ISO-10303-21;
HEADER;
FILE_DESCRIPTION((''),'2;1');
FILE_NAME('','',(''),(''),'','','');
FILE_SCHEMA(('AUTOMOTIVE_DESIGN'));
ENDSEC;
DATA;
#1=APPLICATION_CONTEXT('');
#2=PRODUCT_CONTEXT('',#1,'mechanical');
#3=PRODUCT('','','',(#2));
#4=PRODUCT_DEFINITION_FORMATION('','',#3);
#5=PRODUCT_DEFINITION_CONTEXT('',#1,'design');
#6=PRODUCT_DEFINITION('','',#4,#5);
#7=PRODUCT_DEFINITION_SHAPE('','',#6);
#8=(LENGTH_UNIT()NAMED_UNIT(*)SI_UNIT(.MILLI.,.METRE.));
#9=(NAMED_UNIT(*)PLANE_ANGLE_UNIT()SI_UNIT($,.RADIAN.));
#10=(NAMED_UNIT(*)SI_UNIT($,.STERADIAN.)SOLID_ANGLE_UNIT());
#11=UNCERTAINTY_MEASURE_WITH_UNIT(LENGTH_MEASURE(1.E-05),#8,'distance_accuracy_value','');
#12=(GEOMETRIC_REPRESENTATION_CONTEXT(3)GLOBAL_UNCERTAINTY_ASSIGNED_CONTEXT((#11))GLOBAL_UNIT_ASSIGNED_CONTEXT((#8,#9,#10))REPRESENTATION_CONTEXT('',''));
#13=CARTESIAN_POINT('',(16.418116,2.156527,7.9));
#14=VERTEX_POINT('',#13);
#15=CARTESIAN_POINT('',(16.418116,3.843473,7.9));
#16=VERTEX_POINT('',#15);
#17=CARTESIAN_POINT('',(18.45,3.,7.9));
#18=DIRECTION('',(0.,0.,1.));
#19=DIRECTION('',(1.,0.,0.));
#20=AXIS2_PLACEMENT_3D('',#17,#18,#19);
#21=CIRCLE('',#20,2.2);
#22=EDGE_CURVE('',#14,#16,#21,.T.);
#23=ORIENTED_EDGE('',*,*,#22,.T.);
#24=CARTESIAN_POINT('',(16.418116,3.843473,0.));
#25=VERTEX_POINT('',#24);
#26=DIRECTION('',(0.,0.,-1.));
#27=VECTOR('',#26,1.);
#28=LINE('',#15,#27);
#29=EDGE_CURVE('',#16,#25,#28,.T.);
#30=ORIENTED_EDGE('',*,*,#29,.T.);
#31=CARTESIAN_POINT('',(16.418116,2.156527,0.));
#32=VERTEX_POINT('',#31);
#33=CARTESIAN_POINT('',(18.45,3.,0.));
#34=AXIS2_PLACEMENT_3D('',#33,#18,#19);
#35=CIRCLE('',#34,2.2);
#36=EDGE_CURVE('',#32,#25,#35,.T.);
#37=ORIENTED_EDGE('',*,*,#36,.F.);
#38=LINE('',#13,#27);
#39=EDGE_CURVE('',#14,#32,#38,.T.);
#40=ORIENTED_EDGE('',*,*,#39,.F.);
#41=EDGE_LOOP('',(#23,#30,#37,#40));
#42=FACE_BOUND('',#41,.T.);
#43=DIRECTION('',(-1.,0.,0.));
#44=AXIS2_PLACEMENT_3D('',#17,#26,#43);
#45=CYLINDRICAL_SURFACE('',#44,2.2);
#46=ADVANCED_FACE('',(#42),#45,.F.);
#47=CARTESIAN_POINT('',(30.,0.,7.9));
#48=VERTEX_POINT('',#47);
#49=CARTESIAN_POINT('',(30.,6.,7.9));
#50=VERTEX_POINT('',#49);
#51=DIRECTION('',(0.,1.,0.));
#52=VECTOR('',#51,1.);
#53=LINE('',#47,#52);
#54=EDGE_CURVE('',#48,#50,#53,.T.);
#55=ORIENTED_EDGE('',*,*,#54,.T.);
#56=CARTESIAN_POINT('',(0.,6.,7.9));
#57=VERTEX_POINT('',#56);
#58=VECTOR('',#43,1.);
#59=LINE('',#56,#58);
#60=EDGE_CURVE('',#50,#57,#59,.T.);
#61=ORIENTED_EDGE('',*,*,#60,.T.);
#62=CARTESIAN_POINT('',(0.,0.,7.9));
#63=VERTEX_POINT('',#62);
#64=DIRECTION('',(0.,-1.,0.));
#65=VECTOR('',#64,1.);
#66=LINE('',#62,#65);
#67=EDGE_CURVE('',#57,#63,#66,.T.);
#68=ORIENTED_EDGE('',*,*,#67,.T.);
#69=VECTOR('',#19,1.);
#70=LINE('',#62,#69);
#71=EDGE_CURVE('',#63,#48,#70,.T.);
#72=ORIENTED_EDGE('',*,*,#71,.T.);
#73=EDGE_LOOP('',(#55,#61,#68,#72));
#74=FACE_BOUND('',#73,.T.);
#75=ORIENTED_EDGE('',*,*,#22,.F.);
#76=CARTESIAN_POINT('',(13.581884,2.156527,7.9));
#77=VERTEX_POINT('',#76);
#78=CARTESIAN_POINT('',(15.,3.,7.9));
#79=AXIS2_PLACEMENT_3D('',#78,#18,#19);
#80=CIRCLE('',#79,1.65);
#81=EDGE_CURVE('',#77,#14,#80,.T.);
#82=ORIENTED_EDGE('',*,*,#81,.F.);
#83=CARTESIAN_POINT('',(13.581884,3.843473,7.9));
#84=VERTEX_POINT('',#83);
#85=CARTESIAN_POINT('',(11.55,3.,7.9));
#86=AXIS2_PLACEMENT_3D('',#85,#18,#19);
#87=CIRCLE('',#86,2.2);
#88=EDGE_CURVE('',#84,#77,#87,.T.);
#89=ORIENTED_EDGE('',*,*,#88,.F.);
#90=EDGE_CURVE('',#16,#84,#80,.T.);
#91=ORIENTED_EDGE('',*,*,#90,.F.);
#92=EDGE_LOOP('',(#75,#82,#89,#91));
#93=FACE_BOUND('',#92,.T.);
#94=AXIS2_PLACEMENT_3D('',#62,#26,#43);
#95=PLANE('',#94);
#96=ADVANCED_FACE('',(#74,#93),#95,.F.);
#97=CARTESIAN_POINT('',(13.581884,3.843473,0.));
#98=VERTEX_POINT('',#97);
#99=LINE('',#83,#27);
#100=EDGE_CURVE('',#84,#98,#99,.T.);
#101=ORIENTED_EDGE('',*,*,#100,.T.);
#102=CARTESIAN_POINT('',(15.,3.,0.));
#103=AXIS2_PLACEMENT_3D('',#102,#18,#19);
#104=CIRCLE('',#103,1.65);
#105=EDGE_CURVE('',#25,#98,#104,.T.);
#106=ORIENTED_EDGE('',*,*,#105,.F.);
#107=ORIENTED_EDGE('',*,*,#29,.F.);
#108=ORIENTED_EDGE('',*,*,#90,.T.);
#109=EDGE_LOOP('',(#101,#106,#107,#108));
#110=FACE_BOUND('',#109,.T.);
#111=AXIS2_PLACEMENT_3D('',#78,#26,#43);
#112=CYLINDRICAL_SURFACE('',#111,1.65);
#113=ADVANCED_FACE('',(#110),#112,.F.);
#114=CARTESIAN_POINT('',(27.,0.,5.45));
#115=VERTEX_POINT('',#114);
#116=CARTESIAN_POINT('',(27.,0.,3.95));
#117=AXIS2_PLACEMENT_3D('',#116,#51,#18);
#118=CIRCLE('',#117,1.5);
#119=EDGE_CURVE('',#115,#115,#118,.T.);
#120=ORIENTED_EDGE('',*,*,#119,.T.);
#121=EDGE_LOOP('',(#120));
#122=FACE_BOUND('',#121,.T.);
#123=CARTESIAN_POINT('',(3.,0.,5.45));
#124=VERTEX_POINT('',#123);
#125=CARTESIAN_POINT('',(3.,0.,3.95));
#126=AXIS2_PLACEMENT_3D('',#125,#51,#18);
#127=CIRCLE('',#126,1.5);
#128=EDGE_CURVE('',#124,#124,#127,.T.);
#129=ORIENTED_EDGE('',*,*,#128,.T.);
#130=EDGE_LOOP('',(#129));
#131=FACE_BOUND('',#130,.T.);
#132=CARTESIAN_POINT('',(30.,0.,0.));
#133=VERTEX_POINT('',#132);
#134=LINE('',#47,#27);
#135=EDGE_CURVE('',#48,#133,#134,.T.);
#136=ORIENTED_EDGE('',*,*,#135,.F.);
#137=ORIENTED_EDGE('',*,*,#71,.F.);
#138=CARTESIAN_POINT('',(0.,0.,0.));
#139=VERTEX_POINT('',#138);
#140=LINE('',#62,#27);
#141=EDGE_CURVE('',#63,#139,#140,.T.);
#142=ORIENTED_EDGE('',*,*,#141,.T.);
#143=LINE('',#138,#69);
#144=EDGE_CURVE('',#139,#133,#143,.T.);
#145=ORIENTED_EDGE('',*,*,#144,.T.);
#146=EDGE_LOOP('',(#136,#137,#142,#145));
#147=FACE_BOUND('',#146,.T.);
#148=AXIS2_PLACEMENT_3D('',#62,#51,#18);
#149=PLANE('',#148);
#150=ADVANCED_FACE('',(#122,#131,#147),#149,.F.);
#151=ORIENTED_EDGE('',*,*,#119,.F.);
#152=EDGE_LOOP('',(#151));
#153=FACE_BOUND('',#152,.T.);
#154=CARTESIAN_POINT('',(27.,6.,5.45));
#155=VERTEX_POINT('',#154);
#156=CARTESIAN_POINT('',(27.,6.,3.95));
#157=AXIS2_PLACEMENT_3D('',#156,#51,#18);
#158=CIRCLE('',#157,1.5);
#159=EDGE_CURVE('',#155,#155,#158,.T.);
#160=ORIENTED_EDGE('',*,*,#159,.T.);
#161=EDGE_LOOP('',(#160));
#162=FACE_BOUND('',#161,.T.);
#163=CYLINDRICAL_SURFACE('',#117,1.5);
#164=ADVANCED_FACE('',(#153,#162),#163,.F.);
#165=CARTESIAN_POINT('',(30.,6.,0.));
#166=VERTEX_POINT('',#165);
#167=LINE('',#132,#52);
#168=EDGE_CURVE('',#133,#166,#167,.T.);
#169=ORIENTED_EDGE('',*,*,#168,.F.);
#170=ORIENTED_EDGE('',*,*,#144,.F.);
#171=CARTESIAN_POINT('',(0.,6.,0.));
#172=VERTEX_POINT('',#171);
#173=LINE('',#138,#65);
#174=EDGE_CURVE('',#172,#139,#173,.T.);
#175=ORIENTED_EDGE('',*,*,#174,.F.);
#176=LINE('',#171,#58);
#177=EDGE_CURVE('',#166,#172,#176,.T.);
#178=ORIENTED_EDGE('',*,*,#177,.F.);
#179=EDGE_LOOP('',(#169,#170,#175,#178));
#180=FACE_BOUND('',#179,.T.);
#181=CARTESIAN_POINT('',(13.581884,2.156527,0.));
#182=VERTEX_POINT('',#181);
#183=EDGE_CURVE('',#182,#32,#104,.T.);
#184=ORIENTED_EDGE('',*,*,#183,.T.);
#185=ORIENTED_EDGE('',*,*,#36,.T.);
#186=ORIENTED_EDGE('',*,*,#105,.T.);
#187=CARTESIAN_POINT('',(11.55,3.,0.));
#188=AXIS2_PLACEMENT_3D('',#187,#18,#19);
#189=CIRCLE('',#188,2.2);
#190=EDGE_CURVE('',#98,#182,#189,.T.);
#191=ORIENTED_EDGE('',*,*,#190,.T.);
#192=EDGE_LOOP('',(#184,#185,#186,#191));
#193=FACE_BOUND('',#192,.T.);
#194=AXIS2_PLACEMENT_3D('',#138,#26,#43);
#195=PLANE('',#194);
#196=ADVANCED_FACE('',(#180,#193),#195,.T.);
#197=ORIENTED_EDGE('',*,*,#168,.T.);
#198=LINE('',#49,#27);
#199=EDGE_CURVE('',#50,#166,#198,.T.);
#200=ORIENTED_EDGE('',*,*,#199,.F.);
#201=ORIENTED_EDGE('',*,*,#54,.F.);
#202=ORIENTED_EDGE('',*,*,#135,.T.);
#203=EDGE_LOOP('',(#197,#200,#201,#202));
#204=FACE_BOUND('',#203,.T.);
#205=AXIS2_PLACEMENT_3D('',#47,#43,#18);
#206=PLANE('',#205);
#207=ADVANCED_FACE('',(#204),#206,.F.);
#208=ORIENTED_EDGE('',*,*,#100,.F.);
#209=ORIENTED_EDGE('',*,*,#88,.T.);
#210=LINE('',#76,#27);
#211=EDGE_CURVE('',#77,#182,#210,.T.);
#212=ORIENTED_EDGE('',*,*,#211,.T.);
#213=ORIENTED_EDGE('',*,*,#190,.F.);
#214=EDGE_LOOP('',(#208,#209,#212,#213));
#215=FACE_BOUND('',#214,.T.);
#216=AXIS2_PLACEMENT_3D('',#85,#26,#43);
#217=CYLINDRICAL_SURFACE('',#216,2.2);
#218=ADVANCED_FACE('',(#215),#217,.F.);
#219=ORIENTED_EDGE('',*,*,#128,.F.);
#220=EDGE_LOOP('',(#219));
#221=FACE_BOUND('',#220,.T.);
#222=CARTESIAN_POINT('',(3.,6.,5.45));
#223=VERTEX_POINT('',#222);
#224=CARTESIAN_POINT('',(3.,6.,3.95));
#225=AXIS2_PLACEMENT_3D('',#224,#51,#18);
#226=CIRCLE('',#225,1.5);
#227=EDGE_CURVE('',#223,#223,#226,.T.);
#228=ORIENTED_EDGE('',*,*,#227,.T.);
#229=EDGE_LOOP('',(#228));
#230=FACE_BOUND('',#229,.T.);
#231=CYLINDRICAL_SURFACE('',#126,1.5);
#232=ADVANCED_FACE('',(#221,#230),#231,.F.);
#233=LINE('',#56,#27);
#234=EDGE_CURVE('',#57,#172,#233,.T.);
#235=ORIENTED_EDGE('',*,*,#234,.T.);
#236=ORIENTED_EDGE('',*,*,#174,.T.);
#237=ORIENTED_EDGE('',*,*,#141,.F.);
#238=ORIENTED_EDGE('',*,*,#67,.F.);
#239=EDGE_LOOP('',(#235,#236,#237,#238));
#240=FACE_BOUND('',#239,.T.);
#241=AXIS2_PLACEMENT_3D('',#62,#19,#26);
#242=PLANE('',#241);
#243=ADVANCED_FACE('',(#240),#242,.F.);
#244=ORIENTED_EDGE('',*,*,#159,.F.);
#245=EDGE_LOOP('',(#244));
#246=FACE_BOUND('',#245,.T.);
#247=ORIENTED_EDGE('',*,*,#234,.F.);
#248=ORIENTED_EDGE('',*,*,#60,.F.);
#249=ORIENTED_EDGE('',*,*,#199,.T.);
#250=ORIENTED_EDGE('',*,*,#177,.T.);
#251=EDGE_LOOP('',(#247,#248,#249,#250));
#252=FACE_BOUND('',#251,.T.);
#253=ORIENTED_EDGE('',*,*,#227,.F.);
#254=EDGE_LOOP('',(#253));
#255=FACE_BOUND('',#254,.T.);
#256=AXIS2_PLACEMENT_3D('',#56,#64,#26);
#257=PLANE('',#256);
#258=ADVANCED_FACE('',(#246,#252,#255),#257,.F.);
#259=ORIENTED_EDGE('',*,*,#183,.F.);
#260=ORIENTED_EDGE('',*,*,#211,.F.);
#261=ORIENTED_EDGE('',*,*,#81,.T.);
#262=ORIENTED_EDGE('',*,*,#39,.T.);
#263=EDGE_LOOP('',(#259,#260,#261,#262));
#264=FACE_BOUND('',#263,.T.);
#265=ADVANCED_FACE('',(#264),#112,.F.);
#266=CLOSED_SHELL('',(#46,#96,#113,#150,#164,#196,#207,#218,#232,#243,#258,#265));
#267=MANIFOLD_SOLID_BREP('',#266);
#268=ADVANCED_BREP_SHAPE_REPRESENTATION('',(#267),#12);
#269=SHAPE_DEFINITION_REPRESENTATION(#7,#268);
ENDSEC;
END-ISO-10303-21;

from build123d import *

# Parameters (mm, degrees)
SKETCH1_W           = 30
SKETCH1_H           = 6
BOSS_EXTRUDE1_DEPTH = 7.9
SKETCH2_R           = 1.5
CUT_EXTRUDE1_DEPTH  = 32.597626493


with BuildPart() as part:
    # Sketch1 → Boss-Extrude1 (new body)
    with BuildSketch(Plane.XY):
        with Locations((15, 3)):
            Rectangle(SKETCH1_W, SKETCH1_H)
        with BuildLine():
            ThreePointArc((13.581884058, 3.843473281), (9.35, 3), (13.581884058, 2.156526719))
            ThreePointArc((13.581884058, 2.156526719), (15, 1.35), (16.418115942, 2.156526719))
            ThreePointArc((16.418115942, 2.156526719), (20.65, 3), (16.418115942, 3.843473281))
            ThreePointArc((16.418115942, 3.843473281), (15, 4.65), (13.581884058, 3.843473281))
        make_face(mode=Mode.SUBTRACT)
    extrude(amount=BOSS_EXTRUDE1_DEPTH)

    # Sketch2 → Cut-Extrude1 (cut, through all)
    with BuildSketch(Plane(origin=(0, 6, 0), x_dir=(1, 0, 0), z_dir=(0, 1, 0))):
        with Locations(Location((3, -3.95, 0), (0, 0, 270))):
            Circle(SKETCH2_R)
        with Locations(Location((27, -3.95, 0), (0, 0, 270))):
            Circle(SKETCH2_R)
    extrude(amount=-CUT_EXTRUDE1_DEPTH, mode=Mode.SUBTRACT)


solid = part.part
